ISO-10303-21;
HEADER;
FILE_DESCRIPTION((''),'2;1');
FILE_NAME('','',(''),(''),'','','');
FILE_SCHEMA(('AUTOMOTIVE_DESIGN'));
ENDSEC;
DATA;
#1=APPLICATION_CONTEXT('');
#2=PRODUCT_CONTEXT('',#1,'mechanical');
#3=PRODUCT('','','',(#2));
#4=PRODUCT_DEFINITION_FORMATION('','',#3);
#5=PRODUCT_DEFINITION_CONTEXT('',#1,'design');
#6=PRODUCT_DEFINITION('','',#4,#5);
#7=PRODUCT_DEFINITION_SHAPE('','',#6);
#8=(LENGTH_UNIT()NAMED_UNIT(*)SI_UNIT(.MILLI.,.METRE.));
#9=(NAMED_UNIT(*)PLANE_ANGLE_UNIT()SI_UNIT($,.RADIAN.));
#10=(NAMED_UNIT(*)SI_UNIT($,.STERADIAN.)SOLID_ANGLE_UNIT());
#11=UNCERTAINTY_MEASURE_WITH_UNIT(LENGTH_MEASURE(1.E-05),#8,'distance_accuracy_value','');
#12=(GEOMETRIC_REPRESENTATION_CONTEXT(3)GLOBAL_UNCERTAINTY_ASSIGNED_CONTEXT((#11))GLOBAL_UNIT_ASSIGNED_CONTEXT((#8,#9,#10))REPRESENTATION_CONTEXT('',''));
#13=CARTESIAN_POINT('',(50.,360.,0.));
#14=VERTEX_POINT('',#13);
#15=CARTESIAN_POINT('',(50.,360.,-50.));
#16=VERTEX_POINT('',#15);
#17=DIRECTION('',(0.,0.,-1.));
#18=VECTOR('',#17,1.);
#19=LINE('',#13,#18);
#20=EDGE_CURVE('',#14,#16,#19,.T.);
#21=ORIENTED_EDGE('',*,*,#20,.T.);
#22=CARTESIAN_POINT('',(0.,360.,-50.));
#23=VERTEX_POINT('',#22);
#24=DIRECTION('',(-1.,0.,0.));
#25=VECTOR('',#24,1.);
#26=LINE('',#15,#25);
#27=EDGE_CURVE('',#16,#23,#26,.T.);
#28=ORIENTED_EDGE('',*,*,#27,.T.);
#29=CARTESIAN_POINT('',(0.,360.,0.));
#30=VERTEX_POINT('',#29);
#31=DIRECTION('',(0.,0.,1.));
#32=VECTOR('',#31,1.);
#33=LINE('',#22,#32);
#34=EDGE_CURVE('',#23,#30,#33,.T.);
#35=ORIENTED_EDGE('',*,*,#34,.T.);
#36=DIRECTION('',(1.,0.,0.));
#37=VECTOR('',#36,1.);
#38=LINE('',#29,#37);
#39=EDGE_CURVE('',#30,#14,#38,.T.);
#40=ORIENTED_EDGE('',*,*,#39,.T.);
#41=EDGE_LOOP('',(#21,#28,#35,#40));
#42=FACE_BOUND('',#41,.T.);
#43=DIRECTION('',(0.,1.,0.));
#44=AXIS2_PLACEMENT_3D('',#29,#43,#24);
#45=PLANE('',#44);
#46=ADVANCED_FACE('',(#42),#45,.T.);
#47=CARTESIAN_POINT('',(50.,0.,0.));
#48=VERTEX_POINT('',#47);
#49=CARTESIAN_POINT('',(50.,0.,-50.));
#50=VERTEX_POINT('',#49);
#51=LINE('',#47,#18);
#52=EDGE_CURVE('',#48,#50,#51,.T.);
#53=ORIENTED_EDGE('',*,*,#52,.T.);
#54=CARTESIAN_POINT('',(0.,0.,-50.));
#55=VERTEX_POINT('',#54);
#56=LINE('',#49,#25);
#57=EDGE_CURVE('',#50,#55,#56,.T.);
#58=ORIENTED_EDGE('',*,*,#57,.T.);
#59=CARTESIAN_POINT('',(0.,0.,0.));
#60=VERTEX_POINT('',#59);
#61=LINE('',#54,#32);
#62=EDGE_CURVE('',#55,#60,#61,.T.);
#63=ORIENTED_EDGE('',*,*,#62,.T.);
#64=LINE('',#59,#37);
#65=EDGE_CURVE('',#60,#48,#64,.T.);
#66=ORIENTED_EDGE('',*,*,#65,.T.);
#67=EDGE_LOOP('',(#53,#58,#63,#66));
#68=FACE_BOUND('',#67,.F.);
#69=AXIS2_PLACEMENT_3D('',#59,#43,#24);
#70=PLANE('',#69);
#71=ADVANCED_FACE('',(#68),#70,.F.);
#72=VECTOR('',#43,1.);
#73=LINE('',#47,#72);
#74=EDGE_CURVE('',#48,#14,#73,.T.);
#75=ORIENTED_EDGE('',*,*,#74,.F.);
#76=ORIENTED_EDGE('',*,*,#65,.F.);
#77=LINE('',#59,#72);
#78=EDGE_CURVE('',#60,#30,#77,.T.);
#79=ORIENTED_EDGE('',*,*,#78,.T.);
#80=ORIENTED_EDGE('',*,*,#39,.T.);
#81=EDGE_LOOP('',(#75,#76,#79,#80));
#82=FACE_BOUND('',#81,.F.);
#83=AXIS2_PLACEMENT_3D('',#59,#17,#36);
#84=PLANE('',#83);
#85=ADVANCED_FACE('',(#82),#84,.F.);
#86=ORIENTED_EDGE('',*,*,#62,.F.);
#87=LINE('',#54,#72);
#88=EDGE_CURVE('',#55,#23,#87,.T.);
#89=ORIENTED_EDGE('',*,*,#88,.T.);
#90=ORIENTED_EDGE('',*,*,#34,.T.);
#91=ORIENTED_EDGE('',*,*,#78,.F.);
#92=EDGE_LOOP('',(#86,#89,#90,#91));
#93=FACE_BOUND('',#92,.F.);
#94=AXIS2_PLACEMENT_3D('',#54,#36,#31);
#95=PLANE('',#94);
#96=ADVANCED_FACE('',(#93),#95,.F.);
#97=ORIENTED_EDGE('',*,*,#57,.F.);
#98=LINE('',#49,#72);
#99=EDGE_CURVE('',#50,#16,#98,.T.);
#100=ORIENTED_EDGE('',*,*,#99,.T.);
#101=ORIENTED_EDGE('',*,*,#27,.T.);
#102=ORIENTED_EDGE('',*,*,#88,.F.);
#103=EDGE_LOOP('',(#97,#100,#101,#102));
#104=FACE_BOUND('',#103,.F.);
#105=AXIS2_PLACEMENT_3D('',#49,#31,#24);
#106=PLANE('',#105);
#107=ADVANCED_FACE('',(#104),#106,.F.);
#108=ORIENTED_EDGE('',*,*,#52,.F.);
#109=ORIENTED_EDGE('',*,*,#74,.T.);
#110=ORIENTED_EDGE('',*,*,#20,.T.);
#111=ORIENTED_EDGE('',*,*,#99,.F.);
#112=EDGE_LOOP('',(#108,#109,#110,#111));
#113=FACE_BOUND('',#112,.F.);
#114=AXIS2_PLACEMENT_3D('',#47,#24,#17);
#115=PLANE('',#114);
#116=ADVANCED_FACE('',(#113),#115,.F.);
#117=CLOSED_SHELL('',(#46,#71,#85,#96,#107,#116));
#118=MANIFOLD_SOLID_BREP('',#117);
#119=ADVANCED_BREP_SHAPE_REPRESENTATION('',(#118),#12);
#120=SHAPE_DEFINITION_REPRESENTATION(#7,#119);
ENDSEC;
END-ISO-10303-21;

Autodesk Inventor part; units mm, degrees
ref_plane "YZ Plane" through (0, 0, 0) normal (1, 0, 0) x (0, 1, 0)
ref_plane "XZ Plane" through (0, 0, 0) normal (0, 1, 0) x (-1, 0, 0)
ref_plane "XY Plane" through (0, 0, 0) normal (0, 0, 1) x (1, 0, 0)
sketch "Boceto1" plane through (0, 0, 0) normal (0, 1, 0) x (-1, 0, 0)
  line L0 (0, 0) -> (-50, 0)
  line L1 (-50, 0) -> (-50, -50)
  line L2 (-50, -50) -> (0, -50)
  line L3 (0, -50) -> (0, 0)
  dimension "d0" = 50
  dimension "d1" = 50
extrude "Extrusión1" add sketch "Boceto1" along normal blind 360
properties part number "Sop vertical"
